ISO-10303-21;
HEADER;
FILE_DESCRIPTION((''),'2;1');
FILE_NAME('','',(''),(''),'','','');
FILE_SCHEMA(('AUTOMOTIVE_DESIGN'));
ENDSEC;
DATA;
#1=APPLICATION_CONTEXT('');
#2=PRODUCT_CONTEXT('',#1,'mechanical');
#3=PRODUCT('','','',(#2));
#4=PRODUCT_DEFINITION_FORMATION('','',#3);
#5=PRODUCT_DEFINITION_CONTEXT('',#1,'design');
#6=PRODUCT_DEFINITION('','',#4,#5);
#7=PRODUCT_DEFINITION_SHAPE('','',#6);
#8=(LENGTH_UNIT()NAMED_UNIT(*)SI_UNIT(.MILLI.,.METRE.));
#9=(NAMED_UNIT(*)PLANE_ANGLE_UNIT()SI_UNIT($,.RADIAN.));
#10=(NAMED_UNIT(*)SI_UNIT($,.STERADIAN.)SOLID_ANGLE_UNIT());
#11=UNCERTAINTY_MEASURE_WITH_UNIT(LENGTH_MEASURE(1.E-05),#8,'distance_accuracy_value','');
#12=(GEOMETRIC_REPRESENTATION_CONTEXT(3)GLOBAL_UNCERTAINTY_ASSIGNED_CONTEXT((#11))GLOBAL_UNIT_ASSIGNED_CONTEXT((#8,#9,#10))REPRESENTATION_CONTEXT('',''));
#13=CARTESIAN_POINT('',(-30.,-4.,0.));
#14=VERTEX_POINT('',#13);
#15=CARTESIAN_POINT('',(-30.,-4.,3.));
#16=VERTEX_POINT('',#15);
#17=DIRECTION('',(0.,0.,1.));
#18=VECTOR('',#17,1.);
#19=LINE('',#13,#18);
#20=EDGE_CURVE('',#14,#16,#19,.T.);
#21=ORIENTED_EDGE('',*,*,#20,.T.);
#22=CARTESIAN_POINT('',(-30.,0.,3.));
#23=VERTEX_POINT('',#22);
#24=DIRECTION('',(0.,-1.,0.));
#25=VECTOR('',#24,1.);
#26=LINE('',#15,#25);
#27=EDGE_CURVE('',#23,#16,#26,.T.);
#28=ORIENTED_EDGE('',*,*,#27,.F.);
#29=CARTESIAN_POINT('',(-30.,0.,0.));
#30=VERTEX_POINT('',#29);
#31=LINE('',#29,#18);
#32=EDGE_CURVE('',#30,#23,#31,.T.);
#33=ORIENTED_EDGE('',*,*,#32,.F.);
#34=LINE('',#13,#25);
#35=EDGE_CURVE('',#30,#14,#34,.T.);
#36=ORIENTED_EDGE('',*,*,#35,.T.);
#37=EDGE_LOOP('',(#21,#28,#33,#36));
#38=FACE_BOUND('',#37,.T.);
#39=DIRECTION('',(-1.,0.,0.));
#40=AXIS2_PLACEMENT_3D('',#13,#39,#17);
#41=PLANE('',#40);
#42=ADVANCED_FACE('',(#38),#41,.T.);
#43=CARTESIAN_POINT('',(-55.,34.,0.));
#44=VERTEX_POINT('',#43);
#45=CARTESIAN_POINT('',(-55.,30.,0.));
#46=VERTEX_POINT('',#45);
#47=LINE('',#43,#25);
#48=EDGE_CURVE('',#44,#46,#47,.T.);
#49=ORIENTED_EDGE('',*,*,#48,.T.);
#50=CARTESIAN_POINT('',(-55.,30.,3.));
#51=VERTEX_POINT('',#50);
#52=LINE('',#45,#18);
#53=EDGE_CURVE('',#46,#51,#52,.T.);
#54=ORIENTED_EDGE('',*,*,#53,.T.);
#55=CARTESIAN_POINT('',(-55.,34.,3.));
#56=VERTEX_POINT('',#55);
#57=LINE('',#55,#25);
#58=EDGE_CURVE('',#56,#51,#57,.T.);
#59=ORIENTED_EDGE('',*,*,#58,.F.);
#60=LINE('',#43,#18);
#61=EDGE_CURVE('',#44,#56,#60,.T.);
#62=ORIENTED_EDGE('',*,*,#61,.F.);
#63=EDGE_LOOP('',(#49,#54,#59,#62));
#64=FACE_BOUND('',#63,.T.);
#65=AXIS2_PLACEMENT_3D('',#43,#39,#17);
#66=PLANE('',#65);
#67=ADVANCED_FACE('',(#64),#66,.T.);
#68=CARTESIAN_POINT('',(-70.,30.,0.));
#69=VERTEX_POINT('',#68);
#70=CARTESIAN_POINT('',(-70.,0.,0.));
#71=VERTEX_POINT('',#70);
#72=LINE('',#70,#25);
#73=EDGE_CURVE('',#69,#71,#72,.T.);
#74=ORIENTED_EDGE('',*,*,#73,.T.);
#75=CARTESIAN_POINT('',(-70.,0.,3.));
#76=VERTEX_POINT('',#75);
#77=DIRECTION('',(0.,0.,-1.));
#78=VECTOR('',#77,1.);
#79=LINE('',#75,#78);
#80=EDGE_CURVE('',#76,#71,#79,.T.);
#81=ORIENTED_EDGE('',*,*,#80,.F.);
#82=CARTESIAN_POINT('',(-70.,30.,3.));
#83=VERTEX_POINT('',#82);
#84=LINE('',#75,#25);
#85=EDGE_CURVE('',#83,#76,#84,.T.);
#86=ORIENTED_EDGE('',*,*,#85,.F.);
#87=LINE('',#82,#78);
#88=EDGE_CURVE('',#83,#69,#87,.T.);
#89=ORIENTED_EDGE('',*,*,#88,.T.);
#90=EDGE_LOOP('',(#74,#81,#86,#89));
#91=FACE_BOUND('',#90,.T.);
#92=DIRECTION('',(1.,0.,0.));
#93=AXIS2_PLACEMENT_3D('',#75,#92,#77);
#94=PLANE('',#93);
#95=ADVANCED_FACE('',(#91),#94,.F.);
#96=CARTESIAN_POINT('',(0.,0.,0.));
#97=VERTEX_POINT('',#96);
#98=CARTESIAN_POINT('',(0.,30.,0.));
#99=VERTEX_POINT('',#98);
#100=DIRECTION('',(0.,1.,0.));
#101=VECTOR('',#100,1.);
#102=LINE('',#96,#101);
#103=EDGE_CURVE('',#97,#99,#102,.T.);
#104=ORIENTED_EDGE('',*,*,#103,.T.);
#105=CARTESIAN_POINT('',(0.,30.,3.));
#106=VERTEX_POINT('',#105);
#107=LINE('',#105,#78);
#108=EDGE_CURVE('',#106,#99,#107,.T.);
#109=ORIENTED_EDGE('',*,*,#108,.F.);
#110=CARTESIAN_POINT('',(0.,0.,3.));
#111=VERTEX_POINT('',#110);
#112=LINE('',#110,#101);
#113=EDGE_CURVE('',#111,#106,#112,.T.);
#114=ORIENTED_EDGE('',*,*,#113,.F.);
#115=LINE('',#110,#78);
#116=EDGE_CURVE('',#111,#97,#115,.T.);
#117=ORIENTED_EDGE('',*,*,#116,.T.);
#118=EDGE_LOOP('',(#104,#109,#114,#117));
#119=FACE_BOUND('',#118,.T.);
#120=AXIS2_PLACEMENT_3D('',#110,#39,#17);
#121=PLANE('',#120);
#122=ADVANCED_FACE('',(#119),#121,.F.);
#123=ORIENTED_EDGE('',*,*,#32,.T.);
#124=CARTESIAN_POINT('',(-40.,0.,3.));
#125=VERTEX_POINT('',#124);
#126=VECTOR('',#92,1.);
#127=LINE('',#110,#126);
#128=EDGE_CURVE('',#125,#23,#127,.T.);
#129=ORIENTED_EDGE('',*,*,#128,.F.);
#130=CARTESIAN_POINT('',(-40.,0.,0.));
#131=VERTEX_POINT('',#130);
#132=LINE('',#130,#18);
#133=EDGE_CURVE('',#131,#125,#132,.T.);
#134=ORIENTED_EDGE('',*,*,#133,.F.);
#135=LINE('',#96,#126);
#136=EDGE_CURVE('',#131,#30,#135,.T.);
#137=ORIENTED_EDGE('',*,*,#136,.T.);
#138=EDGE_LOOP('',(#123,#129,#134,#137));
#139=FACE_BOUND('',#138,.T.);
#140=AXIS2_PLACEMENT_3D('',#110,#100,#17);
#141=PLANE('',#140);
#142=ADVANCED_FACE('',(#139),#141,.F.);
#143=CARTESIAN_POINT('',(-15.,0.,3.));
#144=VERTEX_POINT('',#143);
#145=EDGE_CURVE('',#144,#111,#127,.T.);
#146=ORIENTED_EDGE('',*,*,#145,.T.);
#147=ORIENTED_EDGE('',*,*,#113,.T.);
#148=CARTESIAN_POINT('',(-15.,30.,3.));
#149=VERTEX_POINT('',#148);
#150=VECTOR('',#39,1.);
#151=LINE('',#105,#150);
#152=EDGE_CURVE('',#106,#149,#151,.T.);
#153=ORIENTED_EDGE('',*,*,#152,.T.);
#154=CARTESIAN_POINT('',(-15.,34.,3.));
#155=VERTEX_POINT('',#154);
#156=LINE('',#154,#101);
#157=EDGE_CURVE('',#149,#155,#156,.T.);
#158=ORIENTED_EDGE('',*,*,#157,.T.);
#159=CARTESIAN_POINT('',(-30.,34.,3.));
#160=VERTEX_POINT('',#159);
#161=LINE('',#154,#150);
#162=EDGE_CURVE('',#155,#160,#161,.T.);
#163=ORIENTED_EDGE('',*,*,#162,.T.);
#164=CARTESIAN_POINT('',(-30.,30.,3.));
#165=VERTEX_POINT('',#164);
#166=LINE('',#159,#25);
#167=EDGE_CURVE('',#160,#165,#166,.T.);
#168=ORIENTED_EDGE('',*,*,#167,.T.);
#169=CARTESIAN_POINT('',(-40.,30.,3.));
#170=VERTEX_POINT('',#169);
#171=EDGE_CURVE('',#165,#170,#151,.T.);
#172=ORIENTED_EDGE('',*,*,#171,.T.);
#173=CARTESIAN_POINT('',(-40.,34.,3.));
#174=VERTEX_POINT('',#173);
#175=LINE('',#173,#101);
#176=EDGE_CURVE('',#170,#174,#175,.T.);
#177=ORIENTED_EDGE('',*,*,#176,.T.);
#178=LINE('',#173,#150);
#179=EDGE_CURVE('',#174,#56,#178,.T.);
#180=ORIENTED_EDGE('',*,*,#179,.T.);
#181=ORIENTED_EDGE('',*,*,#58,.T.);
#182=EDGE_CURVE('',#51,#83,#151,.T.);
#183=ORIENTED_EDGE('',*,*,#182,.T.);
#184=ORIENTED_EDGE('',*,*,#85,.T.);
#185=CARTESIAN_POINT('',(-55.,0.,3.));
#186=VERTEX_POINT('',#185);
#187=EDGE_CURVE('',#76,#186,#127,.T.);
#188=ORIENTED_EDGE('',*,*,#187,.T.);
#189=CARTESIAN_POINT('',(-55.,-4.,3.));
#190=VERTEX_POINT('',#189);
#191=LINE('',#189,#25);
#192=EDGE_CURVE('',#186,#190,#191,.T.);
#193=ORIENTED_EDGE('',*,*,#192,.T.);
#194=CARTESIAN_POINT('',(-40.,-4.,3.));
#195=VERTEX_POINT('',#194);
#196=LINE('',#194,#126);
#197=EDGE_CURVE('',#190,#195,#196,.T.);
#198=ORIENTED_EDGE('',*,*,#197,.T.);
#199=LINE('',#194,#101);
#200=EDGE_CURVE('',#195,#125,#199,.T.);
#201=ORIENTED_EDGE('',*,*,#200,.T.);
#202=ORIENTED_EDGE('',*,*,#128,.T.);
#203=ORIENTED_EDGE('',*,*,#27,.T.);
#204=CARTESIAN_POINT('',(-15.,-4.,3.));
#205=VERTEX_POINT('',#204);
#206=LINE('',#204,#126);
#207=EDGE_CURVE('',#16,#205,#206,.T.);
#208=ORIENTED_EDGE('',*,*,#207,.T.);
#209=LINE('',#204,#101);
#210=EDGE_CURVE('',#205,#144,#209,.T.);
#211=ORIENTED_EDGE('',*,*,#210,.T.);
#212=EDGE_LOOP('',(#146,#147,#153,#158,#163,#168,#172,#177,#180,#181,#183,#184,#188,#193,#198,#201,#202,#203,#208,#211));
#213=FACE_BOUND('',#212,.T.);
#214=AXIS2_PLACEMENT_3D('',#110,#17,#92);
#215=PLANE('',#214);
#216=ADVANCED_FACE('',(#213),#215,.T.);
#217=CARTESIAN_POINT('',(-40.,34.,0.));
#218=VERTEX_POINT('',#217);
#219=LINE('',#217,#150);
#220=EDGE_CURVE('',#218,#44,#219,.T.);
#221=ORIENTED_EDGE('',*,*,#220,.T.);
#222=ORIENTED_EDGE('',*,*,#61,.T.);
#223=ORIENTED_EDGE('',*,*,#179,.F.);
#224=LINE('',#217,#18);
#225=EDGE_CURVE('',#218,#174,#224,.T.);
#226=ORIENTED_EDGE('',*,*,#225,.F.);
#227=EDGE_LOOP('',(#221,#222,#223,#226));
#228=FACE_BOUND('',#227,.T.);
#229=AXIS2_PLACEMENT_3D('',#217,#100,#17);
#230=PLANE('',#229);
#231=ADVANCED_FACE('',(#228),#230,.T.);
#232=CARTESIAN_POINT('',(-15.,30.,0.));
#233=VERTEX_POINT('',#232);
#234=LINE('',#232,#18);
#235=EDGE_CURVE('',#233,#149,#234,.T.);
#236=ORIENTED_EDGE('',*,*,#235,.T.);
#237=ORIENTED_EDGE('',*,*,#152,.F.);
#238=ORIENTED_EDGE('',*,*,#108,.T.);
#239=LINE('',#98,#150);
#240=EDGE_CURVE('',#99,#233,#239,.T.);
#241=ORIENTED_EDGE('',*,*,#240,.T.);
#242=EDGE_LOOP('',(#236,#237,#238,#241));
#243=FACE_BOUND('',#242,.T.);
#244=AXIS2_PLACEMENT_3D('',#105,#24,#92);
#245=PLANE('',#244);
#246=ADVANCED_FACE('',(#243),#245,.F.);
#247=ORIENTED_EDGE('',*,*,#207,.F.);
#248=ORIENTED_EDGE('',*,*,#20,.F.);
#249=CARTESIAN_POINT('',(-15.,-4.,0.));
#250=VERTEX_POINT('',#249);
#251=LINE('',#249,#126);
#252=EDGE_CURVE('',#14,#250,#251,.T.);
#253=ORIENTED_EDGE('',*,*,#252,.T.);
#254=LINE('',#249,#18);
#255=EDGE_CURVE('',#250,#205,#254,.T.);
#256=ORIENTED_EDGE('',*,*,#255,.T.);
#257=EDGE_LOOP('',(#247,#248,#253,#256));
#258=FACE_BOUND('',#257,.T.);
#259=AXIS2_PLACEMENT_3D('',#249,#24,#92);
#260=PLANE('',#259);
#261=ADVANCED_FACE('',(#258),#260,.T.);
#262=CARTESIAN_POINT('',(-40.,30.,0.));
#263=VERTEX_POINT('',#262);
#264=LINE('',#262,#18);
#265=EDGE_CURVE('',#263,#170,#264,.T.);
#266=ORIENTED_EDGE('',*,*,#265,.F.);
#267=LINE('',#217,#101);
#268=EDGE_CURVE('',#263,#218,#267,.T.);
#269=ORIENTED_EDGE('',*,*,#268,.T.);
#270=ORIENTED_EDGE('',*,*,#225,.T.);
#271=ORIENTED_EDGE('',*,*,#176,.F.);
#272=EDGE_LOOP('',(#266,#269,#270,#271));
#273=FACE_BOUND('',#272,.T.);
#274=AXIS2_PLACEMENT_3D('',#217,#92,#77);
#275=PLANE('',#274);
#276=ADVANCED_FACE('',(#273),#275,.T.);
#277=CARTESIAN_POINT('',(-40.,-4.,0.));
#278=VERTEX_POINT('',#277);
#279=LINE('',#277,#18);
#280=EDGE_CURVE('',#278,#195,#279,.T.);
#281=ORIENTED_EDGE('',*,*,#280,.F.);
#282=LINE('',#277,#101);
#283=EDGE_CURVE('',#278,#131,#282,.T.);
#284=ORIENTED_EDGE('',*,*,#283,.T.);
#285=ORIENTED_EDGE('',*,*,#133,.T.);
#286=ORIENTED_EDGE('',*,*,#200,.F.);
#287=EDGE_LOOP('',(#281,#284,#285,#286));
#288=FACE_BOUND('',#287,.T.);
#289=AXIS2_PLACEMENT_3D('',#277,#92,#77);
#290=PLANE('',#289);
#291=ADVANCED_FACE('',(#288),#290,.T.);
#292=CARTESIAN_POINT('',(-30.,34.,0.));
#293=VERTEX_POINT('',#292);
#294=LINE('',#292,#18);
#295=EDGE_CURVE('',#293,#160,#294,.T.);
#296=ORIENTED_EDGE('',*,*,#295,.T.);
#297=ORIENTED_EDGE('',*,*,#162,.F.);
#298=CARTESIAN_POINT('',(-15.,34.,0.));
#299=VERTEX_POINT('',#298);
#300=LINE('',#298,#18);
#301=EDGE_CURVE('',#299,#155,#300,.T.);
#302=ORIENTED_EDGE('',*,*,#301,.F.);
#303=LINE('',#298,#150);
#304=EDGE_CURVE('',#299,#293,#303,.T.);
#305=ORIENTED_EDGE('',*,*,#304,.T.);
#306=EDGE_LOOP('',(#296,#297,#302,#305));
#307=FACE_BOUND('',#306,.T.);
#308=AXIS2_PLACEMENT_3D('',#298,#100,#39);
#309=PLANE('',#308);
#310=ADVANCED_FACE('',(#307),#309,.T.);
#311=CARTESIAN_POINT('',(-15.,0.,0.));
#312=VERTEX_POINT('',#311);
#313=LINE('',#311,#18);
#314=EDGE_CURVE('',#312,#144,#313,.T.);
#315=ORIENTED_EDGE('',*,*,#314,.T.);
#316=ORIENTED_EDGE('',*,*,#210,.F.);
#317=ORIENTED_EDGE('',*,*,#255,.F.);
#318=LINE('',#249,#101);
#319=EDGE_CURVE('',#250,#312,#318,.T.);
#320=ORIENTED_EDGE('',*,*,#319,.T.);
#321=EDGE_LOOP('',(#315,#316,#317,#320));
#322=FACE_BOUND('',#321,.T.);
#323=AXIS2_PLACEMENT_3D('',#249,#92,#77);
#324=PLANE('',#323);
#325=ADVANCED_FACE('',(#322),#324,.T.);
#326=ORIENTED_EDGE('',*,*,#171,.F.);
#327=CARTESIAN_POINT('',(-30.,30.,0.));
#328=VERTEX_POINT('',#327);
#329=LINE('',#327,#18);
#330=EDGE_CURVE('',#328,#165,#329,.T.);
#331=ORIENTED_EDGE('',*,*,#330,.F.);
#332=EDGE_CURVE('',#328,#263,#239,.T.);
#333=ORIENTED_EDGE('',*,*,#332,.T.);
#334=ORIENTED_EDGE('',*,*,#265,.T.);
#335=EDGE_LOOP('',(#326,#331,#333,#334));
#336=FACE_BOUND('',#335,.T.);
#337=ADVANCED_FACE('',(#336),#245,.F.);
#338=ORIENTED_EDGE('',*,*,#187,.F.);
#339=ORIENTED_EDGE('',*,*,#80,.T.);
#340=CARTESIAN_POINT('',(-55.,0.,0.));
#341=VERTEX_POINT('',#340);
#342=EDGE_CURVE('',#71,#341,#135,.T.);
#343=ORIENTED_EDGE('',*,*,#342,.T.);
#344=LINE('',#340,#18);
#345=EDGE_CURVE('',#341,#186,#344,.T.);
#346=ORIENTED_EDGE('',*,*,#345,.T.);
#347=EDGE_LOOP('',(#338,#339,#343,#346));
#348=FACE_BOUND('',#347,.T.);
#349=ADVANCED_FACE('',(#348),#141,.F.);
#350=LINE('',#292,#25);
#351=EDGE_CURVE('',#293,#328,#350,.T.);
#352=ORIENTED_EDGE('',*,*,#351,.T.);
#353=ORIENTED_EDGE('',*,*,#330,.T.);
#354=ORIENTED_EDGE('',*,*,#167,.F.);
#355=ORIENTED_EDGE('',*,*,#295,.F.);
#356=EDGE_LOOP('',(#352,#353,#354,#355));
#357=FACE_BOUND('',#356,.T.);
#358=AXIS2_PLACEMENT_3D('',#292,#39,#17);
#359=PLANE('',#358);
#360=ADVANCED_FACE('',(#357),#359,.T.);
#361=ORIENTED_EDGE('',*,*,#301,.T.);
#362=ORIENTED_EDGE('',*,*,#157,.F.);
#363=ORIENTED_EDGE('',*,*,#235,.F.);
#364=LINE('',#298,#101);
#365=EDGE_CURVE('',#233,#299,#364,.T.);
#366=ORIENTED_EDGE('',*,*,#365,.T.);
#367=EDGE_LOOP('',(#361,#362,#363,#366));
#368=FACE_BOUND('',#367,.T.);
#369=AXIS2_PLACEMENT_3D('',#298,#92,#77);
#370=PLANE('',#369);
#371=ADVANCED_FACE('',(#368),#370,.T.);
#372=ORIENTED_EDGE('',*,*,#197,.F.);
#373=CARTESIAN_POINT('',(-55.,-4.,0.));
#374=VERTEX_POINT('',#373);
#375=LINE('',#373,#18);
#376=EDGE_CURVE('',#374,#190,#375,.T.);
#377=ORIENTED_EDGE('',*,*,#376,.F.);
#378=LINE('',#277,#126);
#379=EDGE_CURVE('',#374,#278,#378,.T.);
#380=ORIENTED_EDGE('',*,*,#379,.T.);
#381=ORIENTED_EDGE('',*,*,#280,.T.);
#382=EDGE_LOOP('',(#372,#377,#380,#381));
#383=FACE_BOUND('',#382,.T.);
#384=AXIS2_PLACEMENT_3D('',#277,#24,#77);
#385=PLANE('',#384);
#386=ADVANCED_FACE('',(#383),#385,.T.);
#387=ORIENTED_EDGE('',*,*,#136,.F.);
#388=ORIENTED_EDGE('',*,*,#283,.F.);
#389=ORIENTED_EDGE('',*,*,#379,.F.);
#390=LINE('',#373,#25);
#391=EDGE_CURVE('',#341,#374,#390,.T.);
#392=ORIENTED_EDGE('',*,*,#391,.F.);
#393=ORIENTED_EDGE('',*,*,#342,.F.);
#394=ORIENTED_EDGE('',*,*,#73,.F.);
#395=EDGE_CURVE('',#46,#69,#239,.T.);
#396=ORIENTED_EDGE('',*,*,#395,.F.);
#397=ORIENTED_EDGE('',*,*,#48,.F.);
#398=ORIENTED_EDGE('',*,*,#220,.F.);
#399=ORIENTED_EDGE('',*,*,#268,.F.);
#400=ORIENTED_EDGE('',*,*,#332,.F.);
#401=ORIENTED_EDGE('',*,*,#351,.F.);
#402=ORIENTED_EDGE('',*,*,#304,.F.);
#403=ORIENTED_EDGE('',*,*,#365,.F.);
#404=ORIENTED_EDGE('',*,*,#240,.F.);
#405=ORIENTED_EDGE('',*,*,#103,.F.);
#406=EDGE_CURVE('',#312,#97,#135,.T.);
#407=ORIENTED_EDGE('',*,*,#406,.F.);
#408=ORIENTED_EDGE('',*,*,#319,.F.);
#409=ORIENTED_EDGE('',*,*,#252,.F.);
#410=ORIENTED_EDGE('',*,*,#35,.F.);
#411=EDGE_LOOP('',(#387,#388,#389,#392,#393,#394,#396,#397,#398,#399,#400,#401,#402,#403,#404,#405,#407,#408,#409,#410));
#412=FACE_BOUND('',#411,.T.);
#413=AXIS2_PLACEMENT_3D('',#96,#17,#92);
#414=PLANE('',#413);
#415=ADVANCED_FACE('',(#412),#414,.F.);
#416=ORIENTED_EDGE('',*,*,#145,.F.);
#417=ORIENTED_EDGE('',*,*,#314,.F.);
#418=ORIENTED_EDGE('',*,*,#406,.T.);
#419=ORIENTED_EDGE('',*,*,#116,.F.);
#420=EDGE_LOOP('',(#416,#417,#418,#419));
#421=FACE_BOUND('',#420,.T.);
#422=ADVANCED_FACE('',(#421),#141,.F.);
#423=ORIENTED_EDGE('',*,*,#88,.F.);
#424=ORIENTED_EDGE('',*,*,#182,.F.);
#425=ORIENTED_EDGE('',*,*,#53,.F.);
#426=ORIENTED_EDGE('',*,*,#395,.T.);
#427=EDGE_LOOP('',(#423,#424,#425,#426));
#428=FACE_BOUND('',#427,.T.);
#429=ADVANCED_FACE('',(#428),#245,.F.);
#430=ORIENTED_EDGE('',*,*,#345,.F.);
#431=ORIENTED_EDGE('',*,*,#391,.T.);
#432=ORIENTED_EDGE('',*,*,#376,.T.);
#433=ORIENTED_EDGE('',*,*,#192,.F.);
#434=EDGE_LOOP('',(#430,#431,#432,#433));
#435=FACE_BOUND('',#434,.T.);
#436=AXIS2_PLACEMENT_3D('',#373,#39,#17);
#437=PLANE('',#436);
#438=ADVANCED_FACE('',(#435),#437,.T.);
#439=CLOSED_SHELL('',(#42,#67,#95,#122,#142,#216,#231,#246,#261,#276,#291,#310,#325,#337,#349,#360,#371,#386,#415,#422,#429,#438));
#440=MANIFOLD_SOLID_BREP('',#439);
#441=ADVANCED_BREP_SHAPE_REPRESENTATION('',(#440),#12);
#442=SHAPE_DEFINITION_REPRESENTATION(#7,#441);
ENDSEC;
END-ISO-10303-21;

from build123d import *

# Parameters (mm, degrees)
SKETCH1_W           = 70
SKETCH1_H           = 30
BOSS_EXTRUDE1_DEPTH = 3
SKETCH2_W           = 15
SKETCH2_H           = 4
BOSS_EXTRUDE2_DEPTH = 3


with BuildPart() as part:
    # Sketch1 → Boss-Extrude1 (new body)
    with BuildSketch(Plane.XY):
        with Locations((-35, 15)):
            Rectangle(SKETCH1_W, SKETCH1_H)
    extrude(amount=BOSS_EXTRUDE1_DEPTH)

    # Sketch2 → Boss-Extrude2 (add)
    with BuildSketch(Plane.XY.offset(3)):
        with Locations((-22.5, 32)):
            Rectangle(SKETCH2_W, SKETCH2_H)
        with Locations((-47.5, 32)):
            Rectangle(SKETCH2_W, SKETCH2_H)
        with Locations((-22.5, -2)):
            Rectangle(SKETCH2_W, SKETCH2_H)
        with Locations((-47.5, -2)):
            Rectangle(SKETCH2_W, SKETCH2_H)
    extrude(amount=-BOSS_EXTRUDE2_DEPTH)


solid = part.part
